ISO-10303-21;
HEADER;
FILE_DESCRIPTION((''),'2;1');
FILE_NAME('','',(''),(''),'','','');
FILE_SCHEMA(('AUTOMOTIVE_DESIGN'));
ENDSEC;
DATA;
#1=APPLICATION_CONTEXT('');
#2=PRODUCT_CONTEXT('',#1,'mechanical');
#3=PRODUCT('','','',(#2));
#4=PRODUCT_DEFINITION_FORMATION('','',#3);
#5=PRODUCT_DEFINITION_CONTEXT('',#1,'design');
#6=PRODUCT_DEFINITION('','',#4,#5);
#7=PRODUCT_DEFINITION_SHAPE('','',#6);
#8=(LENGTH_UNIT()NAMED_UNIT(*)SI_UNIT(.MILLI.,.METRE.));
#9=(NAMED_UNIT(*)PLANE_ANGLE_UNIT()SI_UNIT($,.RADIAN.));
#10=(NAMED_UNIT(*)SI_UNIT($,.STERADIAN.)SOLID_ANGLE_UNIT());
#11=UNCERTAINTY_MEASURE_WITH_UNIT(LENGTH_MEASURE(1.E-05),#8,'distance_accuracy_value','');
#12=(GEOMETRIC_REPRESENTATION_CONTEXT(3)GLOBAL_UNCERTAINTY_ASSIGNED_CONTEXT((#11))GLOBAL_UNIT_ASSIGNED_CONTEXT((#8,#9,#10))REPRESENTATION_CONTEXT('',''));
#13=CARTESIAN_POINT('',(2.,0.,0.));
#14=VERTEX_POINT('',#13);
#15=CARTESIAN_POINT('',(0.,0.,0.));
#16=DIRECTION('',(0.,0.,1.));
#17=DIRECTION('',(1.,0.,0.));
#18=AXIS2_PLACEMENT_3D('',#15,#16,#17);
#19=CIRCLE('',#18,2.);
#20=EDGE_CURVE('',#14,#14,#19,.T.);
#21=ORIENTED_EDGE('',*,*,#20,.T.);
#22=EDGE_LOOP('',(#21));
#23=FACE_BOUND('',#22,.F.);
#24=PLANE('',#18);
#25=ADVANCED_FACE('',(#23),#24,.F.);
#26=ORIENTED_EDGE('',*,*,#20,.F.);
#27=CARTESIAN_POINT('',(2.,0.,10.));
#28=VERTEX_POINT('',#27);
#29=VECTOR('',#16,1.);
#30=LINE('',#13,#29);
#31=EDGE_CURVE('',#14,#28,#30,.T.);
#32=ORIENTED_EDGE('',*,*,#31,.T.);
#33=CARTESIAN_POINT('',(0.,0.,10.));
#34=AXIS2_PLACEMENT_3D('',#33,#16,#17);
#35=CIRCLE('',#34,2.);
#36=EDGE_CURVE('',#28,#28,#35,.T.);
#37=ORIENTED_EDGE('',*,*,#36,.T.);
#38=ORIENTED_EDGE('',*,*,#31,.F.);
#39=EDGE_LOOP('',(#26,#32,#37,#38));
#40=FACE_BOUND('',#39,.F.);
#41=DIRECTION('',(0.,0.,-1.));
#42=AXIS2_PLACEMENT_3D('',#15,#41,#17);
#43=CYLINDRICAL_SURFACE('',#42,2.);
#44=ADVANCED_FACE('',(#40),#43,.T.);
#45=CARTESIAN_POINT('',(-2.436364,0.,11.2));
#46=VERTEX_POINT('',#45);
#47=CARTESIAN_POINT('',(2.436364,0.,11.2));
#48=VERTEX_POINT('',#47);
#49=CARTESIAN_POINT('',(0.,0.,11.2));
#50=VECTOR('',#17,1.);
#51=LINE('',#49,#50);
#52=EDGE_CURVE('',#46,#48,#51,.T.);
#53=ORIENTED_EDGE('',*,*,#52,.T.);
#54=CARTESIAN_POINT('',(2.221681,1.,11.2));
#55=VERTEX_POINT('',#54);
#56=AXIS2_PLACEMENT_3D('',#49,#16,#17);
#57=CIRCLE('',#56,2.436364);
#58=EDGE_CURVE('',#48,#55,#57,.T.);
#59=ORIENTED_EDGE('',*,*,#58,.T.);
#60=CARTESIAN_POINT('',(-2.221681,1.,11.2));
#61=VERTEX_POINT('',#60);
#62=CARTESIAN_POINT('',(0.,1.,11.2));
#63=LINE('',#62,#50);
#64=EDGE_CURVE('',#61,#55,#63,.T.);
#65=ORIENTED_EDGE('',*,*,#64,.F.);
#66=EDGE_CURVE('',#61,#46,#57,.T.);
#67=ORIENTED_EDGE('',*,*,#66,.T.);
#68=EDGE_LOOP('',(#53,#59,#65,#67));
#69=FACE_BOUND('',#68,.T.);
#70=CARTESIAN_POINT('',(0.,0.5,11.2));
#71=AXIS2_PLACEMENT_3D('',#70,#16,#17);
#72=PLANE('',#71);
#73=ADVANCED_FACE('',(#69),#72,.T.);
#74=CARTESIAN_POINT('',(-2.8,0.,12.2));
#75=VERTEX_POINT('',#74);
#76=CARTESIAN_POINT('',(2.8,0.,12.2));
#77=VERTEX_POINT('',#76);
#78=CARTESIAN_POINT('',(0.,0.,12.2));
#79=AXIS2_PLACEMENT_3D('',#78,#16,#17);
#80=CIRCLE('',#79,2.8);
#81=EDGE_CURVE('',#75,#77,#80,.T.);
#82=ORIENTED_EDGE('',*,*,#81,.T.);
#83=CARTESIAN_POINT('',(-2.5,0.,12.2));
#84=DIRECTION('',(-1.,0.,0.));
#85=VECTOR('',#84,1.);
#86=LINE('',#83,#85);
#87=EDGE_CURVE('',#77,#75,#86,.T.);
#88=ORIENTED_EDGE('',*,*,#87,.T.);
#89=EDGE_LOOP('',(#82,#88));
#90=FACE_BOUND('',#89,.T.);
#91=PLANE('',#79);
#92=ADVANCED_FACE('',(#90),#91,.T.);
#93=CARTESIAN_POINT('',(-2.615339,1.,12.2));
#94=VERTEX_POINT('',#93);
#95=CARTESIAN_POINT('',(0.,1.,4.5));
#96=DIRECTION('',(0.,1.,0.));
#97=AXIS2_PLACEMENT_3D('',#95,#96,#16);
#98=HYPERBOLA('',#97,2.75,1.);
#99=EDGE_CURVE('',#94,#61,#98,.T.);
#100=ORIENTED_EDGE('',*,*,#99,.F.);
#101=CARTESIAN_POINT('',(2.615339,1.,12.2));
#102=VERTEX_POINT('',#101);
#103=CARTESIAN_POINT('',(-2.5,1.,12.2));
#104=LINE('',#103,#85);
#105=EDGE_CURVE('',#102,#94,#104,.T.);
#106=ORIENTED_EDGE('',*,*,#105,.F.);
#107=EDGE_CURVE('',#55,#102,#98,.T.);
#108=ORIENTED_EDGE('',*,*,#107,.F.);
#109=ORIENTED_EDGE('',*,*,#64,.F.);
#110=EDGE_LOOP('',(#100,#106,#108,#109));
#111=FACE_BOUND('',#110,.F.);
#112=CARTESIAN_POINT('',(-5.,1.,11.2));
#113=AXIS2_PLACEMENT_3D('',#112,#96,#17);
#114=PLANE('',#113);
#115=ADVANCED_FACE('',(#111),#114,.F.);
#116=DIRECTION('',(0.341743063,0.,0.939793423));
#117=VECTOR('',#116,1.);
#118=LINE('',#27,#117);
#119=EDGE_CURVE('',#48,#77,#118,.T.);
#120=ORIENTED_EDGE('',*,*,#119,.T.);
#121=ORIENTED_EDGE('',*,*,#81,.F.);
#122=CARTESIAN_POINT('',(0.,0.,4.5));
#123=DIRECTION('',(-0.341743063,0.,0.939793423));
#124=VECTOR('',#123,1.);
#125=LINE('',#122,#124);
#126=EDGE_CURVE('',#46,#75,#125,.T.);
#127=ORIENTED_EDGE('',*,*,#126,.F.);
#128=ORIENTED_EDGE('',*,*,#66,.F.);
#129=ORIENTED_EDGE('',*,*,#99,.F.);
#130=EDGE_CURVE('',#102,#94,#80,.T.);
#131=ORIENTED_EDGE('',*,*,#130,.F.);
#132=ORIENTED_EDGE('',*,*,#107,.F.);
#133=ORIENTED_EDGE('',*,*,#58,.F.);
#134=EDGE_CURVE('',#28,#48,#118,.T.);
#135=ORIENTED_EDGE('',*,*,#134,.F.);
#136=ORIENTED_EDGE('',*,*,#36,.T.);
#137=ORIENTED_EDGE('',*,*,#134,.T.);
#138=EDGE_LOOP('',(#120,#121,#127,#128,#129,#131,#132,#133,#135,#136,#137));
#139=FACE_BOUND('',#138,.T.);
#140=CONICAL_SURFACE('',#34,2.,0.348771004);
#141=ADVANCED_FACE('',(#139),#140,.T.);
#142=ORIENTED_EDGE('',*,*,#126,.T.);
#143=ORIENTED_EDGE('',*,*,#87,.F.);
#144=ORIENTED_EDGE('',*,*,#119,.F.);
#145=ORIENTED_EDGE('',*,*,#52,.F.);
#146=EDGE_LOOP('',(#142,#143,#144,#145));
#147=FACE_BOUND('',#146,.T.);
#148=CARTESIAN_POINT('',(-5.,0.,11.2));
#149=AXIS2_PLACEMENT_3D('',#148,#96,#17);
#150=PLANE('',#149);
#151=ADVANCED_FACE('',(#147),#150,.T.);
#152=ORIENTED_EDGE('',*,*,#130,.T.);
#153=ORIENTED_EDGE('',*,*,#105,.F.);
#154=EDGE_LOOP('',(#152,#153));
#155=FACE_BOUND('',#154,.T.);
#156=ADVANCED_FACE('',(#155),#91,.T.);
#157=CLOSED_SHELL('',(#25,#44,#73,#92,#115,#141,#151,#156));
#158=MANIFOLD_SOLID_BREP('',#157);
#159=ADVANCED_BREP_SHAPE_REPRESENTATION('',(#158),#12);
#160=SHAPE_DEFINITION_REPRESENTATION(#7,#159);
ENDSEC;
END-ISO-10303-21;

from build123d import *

# Parameters (mm, degrees)
BOX_W          = 10
BOX_H          = 1
BOX_DEPTH      = 2
CYLINDER_R     = 2
CYLINDER_DEPTH = 10


with BuildPart() as cube:
    # Box → Box (new body)
    with BuildSketch(Plane(origin=(-5, 0, 11.2), x_dir=(1, 0, 0), z_dir=(0, 0, 1))):
        with Locations((5, 0.5)):
            Rectangle(BOX_W, BOX_H)
    extrude(amount=BOX_DEPTH)


with BuildPart() as cut:
    # Cone → Cone (revolve)
    with BuildSketch(Plane(origin=(0, 0, 10), x_dir=(1, 0, 0), z_dir=(0, -1, 0))):
        Polygon((0, 0), (2, 0), (2.8, 2.2), (0, 2.2), align=None)
    revolve(axis=Axis((0, 0, 10), (0, 0, 1)))

    # Cut: cut Cube
    add(cube.part, mode=Mode.SUBTRACT)


with BuildPart() as fusion:
    # Cylinder → Cylinder (new body)
    with BuildSketch(Plane.XY):
        Circle(CYLINDER_R)
    extrude(amount=CYLINDER_DEPTH)

    # Fusion: union Cut
    add(cut.part)


solid = fusion.part
